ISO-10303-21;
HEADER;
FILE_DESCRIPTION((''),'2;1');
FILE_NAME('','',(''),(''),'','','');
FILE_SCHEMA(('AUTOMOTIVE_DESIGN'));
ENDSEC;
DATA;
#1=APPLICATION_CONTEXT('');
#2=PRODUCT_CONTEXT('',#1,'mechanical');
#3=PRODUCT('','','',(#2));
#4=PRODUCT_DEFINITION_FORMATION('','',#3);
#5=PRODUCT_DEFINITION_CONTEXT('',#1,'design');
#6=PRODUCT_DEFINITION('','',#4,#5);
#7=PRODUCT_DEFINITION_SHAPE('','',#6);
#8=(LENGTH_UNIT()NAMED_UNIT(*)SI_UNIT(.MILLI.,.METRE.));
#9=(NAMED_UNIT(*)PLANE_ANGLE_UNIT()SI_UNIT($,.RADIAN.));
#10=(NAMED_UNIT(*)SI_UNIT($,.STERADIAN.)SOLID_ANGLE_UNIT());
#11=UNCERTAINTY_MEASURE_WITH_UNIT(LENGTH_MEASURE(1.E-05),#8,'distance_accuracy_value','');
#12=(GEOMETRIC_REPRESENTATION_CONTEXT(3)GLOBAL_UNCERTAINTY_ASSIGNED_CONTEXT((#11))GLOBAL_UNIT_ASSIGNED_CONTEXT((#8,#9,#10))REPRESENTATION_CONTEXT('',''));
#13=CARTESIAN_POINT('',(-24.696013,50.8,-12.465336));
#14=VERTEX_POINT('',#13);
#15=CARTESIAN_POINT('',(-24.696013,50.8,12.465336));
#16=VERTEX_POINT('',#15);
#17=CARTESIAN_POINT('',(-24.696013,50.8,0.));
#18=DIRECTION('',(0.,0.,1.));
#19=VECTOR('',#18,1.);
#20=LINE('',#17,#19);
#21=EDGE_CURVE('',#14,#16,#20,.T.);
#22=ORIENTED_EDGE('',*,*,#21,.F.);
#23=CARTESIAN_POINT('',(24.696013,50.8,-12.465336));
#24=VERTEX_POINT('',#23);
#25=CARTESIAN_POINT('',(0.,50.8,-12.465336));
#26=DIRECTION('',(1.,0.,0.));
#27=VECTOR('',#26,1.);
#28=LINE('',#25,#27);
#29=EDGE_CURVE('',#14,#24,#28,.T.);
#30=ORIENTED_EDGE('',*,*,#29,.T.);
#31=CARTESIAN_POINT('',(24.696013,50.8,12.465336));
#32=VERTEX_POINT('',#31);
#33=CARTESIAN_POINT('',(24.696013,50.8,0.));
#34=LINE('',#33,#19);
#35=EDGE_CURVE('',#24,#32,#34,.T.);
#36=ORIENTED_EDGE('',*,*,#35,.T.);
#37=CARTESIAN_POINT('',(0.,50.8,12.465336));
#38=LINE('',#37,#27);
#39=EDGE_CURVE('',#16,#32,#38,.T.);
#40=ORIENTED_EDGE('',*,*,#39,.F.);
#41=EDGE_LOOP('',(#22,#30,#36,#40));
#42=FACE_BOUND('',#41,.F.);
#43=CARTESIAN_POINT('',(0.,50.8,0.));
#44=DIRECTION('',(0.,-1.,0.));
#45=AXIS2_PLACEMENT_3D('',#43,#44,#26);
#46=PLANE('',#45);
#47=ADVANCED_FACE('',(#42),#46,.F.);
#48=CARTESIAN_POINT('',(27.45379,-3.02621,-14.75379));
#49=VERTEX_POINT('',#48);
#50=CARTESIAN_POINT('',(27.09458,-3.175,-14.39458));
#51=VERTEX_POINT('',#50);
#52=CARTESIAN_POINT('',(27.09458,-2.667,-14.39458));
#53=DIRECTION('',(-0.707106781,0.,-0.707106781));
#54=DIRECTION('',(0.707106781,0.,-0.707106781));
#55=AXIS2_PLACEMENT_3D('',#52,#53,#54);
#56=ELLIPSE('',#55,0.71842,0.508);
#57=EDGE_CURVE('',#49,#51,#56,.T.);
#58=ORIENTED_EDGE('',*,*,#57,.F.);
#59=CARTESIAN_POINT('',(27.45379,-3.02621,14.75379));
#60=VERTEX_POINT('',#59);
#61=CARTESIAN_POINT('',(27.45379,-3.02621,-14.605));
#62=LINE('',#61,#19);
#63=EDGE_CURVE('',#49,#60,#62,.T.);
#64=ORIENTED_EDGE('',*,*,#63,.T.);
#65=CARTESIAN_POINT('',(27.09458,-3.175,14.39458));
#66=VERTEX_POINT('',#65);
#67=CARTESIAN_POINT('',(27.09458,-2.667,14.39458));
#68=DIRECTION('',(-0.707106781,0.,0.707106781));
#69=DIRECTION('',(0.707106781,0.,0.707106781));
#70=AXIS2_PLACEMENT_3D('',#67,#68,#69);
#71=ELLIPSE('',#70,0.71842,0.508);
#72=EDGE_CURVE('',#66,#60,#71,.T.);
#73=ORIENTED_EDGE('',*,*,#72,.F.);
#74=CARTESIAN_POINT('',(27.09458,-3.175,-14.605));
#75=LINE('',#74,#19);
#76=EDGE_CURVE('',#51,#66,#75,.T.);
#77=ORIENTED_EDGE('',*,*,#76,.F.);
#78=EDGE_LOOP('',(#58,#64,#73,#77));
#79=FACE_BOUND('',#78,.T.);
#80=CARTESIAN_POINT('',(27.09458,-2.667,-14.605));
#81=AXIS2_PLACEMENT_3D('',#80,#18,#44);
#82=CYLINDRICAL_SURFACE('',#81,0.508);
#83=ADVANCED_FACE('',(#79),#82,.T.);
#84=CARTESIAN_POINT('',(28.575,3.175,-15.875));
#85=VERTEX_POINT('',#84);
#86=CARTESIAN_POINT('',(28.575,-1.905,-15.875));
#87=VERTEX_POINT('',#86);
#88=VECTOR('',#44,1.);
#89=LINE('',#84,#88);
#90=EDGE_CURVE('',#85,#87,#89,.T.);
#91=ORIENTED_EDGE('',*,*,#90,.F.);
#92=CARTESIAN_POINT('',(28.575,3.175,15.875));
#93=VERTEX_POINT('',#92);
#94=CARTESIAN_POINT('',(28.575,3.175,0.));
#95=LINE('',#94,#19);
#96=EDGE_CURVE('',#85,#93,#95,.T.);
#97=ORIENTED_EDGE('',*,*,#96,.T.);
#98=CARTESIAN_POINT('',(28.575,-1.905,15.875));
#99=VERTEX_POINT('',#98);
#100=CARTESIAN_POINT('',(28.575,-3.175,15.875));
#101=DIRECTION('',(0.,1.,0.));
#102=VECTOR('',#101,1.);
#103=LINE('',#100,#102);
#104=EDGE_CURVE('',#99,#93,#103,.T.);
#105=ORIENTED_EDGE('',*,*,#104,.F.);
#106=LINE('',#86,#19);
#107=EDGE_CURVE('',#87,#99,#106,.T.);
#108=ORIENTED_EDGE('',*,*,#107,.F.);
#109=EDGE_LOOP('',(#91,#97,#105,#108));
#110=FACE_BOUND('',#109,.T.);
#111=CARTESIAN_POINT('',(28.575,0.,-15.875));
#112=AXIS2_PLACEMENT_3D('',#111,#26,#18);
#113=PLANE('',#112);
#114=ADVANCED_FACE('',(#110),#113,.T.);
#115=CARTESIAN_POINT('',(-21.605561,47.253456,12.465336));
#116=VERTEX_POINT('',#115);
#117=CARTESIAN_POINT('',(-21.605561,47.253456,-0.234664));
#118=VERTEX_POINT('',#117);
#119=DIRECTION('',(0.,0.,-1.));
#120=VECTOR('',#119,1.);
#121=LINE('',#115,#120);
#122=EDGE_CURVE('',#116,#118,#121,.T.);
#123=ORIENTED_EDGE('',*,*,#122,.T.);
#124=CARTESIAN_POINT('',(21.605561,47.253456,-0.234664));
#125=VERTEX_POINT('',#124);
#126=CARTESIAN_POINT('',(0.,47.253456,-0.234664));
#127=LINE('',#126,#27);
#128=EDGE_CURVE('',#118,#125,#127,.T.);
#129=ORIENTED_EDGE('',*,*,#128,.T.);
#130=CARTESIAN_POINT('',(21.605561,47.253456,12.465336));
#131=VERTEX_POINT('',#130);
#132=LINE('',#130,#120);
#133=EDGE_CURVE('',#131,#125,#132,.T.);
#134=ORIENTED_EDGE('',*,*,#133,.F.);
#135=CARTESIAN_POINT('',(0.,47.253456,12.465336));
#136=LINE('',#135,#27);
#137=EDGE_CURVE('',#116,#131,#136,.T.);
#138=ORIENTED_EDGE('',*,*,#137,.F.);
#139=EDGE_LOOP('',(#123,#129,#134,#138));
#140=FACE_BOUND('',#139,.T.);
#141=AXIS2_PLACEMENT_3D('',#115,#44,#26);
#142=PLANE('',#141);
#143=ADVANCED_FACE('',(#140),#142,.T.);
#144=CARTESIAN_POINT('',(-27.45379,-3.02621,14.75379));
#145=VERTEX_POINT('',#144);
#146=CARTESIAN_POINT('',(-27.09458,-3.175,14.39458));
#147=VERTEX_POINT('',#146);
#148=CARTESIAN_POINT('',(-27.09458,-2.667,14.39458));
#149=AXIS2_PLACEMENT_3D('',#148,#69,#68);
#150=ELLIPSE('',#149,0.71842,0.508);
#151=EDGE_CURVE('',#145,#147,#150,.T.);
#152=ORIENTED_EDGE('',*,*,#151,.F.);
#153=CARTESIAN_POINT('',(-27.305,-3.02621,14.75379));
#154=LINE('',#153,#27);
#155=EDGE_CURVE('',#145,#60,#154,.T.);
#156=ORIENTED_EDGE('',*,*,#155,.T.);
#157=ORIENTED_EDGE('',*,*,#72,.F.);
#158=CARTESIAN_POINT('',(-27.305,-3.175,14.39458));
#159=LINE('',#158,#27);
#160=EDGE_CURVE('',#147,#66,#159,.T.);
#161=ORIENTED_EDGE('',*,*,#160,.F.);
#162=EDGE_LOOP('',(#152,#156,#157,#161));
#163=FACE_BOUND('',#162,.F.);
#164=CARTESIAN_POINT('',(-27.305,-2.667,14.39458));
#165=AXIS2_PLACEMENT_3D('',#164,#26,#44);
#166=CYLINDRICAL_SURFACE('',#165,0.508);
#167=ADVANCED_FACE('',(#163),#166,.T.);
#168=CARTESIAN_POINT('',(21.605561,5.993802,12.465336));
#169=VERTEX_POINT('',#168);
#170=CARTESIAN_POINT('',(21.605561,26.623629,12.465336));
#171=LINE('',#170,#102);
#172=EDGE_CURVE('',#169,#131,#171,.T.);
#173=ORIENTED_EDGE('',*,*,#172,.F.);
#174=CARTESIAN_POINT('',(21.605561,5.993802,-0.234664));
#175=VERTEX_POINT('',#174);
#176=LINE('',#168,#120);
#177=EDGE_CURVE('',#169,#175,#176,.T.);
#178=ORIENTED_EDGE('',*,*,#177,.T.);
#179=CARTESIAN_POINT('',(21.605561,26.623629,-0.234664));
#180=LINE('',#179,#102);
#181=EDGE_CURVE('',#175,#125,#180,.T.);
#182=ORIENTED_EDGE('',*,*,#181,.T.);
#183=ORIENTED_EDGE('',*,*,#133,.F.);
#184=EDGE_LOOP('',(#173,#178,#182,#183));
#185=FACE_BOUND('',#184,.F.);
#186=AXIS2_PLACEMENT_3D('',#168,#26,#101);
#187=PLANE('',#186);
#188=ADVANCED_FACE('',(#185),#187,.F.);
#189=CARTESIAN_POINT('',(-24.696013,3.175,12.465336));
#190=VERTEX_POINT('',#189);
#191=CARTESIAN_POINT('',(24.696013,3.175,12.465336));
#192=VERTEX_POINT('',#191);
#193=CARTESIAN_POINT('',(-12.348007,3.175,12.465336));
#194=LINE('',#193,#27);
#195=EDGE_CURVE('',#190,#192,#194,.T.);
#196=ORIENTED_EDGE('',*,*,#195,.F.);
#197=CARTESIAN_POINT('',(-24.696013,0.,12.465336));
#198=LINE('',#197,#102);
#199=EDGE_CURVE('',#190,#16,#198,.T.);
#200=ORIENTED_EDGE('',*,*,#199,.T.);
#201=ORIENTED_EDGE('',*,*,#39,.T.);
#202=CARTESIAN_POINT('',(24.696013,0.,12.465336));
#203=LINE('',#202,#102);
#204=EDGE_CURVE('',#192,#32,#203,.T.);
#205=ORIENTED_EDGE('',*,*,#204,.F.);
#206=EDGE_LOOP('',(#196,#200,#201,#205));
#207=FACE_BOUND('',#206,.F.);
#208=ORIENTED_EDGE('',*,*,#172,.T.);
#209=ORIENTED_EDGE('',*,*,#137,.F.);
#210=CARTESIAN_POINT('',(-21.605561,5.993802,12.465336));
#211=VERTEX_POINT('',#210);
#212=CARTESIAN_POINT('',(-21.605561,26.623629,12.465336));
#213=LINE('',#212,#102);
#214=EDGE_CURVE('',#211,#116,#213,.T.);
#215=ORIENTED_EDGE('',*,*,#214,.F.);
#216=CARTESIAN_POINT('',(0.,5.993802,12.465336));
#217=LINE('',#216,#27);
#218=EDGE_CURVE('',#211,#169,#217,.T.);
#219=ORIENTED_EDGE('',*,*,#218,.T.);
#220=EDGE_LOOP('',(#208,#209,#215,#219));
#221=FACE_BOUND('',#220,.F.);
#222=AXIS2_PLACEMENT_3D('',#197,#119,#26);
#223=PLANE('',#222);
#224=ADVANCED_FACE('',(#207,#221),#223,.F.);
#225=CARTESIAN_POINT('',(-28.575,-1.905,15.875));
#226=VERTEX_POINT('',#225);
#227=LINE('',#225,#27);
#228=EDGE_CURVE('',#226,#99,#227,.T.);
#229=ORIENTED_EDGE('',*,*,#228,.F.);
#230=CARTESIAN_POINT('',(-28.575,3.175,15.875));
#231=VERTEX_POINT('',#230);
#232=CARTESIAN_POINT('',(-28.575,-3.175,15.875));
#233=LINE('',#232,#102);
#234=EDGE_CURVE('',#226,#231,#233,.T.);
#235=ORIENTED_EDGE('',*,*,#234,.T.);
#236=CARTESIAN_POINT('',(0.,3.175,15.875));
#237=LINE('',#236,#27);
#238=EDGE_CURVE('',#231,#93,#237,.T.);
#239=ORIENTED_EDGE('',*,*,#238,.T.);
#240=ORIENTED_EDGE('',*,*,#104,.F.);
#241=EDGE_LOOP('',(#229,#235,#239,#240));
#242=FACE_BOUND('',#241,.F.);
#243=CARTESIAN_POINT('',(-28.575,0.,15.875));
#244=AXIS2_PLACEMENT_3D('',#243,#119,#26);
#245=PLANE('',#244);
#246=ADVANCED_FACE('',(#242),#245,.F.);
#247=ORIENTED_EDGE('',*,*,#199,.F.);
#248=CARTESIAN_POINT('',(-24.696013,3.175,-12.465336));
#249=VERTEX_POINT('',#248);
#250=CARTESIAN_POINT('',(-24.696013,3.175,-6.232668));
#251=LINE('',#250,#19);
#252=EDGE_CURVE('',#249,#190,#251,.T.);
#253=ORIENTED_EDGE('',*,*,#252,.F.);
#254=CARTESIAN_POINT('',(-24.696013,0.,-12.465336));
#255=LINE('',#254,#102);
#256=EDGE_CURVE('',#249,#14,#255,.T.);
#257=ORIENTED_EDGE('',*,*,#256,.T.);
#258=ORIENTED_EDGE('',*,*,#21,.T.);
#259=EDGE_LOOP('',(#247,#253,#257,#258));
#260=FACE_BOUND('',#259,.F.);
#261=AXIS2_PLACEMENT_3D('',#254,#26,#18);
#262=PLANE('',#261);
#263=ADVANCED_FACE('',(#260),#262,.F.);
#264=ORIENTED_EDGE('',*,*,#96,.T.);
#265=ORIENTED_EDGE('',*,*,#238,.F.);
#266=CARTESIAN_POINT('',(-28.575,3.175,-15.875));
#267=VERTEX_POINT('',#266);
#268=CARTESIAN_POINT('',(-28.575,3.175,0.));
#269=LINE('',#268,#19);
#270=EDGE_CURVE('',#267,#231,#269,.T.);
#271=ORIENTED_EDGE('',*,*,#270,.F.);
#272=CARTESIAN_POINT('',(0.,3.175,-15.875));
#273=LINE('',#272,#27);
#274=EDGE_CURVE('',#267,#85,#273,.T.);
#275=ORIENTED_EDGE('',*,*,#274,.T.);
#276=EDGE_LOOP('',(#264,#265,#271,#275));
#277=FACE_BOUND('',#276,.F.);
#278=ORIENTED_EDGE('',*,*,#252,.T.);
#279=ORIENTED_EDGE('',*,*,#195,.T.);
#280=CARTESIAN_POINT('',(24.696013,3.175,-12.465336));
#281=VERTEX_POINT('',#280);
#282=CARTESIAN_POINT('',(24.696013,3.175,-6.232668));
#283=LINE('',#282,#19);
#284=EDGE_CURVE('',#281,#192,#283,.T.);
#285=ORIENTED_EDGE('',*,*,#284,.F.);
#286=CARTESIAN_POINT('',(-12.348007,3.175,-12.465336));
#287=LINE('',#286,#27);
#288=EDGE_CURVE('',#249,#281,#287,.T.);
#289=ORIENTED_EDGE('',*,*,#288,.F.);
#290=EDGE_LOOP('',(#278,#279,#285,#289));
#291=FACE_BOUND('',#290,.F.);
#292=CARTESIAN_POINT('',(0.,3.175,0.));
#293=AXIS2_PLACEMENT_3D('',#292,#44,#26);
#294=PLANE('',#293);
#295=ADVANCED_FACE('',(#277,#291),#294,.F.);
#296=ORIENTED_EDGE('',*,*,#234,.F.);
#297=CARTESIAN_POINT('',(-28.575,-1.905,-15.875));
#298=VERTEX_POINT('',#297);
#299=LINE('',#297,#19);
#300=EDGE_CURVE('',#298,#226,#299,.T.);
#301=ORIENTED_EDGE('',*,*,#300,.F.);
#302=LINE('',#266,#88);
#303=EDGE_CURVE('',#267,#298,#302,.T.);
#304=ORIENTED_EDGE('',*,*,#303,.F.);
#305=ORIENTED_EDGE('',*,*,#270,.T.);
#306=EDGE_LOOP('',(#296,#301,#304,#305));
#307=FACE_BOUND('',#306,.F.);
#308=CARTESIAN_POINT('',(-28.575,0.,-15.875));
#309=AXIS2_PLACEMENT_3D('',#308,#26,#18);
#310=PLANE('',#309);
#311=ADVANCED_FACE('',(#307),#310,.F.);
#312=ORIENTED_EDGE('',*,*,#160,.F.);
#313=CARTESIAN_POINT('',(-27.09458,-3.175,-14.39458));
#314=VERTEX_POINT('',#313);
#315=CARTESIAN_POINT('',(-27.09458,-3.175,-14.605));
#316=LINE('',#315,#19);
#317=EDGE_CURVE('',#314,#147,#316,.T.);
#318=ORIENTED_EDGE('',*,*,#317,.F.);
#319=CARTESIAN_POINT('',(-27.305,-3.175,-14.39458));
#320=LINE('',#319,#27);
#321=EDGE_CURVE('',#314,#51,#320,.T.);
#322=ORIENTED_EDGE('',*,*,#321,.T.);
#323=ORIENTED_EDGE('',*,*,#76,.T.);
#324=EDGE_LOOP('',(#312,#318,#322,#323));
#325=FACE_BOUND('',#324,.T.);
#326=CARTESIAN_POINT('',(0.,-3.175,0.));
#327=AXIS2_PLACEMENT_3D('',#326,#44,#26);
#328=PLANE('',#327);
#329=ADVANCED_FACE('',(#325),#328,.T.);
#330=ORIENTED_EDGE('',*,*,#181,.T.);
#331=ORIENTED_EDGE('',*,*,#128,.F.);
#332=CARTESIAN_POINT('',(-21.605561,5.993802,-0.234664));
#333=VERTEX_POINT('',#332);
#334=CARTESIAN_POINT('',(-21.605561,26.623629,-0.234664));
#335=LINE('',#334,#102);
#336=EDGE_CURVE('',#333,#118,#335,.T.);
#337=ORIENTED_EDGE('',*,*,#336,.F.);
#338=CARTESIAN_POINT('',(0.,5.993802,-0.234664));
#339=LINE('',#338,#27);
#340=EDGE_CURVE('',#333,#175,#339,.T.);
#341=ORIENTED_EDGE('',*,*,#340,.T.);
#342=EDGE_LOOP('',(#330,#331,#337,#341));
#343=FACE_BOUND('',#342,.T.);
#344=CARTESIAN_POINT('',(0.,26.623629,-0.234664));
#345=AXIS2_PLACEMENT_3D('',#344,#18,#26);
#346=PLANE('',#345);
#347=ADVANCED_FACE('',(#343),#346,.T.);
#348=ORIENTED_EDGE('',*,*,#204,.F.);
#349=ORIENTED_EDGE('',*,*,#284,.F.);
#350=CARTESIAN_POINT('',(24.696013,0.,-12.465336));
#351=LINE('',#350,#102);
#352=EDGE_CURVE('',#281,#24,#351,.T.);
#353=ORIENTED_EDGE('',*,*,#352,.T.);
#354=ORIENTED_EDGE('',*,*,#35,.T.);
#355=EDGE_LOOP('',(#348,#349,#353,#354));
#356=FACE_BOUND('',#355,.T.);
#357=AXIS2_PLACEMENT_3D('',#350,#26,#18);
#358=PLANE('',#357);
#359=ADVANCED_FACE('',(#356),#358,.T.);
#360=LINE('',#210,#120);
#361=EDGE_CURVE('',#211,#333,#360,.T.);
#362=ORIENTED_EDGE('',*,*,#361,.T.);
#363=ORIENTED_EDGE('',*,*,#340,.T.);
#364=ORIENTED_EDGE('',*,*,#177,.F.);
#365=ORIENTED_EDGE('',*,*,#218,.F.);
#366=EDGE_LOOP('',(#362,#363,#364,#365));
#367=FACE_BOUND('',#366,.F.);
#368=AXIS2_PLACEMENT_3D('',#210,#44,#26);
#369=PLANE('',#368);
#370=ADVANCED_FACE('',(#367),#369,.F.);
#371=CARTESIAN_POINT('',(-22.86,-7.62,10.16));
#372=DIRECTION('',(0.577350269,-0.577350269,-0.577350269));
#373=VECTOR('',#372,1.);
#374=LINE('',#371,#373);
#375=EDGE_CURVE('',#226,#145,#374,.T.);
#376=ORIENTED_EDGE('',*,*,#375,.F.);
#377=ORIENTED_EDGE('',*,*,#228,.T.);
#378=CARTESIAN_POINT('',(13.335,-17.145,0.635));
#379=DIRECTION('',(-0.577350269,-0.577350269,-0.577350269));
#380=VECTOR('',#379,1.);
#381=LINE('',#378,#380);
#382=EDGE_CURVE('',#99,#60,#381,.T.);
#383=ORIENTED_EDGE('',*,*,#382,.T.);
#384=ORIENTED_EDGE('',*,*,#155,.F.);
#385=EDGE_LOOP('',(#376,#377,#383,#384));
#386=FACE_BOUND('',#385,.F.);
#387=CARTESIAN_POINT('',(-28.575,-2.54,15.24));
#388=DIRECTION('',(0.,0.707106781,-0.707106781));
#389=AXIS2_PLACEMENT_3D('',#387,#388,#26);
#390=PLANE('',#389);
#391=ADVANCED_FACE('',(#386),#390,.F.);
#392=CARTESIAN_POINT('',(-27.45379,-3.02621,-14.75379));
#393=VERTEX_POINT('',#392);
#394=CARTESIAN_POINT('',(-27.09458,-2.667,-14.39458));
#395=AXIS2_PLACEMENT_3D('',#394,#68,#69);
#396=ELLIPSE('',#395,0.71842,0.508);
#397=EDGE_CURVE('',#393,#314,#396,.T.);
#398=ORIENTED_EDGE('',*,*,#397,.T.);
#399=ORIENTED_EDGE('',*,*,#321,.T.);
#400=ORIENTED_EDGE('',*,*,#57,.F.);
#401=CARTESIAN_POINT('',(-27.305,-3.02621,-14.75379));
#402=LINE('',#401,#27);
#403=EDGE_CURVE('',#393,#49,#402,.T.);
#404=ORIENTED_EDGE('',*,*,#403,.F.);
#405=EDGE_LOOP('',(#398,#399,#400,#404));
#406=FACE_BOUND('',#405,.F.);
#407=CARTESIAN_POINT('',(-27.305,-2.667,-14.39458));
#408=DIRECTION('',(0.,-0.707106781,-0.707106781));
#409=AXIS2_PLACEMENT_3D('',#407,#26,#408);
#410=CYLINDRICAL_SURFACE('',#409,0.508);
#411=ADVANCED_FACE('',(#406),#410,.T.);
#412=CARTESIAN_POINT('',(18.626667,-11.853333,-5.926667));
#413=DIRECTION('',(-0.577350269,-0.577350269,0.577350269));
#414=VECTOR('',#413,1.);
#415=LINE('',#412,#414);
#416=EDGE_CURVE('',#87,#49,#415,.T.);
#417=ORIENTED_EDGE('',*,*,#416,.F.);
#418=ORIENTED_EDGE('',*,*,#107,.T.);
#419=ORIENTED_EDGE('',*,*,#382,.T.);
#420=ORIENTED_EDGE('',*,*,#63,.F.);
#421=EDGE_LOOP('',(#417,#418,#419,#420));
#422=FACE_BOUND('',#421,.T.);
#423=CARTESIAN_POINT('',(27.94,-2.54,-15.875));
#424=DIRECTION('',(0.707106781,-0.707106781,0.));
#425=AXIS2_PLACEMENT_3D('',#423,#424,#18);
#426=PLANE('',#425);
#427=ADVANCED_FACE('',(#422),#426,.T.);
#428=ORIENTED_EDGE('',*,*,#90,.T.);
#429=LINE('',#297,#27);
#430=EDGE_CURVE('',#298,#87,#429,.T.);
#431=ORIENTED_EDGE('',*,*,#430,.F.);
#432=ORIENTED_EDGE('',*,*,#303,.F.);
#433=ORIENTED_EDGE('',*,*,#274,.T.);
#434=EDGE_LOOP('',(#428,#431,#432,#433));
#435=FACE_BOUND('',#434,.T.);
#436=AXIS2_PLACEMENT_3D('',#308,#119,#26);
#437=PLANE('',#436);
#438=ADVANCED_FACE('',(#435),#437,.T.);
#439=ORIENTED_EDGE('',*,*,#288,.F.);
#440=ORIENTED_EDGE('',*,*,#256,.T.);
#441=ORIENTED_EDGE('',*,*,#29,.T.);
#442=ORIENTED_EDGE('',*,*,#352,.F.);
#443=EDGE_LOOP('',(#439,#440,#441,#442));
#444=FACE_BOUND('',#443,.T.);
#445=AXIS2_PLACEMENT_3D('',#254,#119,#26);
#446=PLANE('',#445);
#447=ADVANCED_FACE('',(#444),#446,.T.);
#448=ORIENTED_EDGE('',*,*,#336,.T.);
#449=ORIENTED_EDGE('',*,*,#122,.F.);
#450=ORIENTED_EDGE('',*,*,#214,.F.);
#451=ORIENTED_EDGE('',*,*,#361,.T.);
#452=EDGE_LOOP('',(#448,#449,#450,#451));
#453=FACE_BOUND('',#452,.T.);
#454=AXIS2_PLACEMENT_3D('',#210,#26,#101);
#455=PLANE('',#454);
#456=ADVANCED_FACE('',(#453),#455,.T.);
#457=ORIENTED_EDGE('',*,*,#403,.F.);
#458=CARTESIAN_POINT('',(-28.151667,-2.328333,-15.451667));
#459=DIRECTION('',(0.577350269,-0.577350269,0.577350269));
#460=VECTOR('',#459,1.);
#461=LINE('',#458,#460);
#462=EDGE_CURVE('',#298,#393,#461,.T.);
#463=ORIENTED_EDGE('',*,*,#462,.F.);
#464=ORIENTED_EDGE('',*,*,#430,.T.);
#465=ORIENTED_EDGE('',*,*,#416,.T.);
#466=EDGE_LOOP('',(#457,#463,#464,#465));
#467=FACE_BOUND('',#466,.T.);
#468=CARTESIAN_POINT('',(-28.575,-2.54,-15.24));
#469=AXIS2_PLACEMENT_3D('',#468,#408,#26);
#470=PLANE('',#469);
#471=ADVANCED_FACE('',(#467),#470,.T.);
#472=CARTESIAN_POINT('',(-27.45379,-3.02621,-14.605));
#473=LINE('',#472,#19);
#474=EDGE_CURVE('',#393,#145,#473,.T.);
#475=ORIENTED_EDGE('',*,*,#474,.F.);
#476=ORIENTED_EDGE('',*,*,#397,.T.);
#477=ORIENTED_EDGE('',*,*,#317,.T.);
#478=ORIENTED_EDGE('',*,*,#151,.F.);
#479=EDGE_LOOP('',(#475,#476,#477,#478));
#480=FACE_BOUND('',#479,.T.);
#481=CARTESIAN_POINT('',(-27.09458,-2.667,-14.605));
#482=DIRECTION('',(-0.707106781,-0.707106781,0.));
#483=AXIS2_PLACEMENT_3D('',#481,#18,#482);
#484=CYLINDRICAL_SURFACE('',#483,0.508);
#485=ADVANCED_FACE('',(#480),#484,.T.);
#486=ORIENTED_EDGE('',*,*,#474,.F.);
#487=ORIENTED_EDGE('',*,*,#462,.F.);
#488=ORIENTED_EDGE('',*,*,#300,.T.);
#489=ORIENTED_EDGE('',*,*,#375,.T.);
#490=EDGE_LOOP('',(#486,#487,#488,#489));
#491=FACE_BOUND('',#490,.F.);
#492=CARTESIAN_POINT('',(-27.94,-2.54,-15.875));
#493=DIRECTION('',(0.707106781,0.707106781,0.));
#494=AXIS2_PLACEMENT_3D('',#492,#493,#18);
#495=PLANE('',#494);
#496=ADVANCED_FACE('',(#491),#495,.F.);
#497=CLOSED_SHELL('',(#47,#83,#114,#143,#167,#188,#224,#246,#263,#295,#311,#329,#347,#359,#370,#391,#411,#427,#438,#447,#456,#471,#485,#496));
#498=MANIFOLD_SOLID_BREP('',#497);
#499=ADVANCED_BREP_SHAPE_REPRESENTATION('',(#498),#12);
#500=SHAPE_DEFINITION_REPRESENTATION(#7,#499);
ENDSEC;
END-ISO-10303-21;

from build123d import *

# Parameters (mm, degrees)
F0_W     = 57.15
F0_H     = 31.75
F1_DEPTH = 3.175
F2_W     = 49.392026
F2_H     = 24.930672
F3_DEPTH = 50.8
F4_W     = 43.211122
F4_H     = 41.259654
F5_DEPTH = 12.7
F6_SIZE  = 1.27
F7_R     = 0.508


with BuildPart() as f1:
    # F0 (on Front) → F1 (new body, symmetric)
    with BuildSketch(Plane.XZ):
        Rectangle(F0_W, F0_H)
    extrude(amount=F1_DEPTH, both=True)

    # F2 (on Front) → F3 (join)
    with BuildSketch(Plane.XZ):
        Rectangle(F2_W, F2_H)
    extrude(amount=-F3_DEPTH)

    # F4 (on face) → F5 (cut)
    with BuildSketch(Plane.XY.offset(12.465336)):
        with Locations((0, 26.623629)):
            Rectangle(F4_W, F4_H)
    extrude(amount=-F5_DEPTH, mode=Mode.SUBTRACT)

    # F6
    f6_edges = [f1.edges().sort_by_distance(p)[0] for p in [
        (0, -3.175, -15.875),
        (-28.575, -3.175, 0),
        (28.575, -3.175, 0),
        (0, -3.175, 15.875),
    ]]
    chamfer(f6_edges, length=F6_SIZE)

    # F7
    f7_edges = [f1.edges().sort_by_distance(p)[0] for p in [
        (0, -3.175, -14.605),
        (-27.305, -3.175, 0),
        (27.305, -3.175, 0),
        (0, -3.175, 14.605),
    ]]
    fillet(f7_edges, radius=F7_R)


solid = f1.part
